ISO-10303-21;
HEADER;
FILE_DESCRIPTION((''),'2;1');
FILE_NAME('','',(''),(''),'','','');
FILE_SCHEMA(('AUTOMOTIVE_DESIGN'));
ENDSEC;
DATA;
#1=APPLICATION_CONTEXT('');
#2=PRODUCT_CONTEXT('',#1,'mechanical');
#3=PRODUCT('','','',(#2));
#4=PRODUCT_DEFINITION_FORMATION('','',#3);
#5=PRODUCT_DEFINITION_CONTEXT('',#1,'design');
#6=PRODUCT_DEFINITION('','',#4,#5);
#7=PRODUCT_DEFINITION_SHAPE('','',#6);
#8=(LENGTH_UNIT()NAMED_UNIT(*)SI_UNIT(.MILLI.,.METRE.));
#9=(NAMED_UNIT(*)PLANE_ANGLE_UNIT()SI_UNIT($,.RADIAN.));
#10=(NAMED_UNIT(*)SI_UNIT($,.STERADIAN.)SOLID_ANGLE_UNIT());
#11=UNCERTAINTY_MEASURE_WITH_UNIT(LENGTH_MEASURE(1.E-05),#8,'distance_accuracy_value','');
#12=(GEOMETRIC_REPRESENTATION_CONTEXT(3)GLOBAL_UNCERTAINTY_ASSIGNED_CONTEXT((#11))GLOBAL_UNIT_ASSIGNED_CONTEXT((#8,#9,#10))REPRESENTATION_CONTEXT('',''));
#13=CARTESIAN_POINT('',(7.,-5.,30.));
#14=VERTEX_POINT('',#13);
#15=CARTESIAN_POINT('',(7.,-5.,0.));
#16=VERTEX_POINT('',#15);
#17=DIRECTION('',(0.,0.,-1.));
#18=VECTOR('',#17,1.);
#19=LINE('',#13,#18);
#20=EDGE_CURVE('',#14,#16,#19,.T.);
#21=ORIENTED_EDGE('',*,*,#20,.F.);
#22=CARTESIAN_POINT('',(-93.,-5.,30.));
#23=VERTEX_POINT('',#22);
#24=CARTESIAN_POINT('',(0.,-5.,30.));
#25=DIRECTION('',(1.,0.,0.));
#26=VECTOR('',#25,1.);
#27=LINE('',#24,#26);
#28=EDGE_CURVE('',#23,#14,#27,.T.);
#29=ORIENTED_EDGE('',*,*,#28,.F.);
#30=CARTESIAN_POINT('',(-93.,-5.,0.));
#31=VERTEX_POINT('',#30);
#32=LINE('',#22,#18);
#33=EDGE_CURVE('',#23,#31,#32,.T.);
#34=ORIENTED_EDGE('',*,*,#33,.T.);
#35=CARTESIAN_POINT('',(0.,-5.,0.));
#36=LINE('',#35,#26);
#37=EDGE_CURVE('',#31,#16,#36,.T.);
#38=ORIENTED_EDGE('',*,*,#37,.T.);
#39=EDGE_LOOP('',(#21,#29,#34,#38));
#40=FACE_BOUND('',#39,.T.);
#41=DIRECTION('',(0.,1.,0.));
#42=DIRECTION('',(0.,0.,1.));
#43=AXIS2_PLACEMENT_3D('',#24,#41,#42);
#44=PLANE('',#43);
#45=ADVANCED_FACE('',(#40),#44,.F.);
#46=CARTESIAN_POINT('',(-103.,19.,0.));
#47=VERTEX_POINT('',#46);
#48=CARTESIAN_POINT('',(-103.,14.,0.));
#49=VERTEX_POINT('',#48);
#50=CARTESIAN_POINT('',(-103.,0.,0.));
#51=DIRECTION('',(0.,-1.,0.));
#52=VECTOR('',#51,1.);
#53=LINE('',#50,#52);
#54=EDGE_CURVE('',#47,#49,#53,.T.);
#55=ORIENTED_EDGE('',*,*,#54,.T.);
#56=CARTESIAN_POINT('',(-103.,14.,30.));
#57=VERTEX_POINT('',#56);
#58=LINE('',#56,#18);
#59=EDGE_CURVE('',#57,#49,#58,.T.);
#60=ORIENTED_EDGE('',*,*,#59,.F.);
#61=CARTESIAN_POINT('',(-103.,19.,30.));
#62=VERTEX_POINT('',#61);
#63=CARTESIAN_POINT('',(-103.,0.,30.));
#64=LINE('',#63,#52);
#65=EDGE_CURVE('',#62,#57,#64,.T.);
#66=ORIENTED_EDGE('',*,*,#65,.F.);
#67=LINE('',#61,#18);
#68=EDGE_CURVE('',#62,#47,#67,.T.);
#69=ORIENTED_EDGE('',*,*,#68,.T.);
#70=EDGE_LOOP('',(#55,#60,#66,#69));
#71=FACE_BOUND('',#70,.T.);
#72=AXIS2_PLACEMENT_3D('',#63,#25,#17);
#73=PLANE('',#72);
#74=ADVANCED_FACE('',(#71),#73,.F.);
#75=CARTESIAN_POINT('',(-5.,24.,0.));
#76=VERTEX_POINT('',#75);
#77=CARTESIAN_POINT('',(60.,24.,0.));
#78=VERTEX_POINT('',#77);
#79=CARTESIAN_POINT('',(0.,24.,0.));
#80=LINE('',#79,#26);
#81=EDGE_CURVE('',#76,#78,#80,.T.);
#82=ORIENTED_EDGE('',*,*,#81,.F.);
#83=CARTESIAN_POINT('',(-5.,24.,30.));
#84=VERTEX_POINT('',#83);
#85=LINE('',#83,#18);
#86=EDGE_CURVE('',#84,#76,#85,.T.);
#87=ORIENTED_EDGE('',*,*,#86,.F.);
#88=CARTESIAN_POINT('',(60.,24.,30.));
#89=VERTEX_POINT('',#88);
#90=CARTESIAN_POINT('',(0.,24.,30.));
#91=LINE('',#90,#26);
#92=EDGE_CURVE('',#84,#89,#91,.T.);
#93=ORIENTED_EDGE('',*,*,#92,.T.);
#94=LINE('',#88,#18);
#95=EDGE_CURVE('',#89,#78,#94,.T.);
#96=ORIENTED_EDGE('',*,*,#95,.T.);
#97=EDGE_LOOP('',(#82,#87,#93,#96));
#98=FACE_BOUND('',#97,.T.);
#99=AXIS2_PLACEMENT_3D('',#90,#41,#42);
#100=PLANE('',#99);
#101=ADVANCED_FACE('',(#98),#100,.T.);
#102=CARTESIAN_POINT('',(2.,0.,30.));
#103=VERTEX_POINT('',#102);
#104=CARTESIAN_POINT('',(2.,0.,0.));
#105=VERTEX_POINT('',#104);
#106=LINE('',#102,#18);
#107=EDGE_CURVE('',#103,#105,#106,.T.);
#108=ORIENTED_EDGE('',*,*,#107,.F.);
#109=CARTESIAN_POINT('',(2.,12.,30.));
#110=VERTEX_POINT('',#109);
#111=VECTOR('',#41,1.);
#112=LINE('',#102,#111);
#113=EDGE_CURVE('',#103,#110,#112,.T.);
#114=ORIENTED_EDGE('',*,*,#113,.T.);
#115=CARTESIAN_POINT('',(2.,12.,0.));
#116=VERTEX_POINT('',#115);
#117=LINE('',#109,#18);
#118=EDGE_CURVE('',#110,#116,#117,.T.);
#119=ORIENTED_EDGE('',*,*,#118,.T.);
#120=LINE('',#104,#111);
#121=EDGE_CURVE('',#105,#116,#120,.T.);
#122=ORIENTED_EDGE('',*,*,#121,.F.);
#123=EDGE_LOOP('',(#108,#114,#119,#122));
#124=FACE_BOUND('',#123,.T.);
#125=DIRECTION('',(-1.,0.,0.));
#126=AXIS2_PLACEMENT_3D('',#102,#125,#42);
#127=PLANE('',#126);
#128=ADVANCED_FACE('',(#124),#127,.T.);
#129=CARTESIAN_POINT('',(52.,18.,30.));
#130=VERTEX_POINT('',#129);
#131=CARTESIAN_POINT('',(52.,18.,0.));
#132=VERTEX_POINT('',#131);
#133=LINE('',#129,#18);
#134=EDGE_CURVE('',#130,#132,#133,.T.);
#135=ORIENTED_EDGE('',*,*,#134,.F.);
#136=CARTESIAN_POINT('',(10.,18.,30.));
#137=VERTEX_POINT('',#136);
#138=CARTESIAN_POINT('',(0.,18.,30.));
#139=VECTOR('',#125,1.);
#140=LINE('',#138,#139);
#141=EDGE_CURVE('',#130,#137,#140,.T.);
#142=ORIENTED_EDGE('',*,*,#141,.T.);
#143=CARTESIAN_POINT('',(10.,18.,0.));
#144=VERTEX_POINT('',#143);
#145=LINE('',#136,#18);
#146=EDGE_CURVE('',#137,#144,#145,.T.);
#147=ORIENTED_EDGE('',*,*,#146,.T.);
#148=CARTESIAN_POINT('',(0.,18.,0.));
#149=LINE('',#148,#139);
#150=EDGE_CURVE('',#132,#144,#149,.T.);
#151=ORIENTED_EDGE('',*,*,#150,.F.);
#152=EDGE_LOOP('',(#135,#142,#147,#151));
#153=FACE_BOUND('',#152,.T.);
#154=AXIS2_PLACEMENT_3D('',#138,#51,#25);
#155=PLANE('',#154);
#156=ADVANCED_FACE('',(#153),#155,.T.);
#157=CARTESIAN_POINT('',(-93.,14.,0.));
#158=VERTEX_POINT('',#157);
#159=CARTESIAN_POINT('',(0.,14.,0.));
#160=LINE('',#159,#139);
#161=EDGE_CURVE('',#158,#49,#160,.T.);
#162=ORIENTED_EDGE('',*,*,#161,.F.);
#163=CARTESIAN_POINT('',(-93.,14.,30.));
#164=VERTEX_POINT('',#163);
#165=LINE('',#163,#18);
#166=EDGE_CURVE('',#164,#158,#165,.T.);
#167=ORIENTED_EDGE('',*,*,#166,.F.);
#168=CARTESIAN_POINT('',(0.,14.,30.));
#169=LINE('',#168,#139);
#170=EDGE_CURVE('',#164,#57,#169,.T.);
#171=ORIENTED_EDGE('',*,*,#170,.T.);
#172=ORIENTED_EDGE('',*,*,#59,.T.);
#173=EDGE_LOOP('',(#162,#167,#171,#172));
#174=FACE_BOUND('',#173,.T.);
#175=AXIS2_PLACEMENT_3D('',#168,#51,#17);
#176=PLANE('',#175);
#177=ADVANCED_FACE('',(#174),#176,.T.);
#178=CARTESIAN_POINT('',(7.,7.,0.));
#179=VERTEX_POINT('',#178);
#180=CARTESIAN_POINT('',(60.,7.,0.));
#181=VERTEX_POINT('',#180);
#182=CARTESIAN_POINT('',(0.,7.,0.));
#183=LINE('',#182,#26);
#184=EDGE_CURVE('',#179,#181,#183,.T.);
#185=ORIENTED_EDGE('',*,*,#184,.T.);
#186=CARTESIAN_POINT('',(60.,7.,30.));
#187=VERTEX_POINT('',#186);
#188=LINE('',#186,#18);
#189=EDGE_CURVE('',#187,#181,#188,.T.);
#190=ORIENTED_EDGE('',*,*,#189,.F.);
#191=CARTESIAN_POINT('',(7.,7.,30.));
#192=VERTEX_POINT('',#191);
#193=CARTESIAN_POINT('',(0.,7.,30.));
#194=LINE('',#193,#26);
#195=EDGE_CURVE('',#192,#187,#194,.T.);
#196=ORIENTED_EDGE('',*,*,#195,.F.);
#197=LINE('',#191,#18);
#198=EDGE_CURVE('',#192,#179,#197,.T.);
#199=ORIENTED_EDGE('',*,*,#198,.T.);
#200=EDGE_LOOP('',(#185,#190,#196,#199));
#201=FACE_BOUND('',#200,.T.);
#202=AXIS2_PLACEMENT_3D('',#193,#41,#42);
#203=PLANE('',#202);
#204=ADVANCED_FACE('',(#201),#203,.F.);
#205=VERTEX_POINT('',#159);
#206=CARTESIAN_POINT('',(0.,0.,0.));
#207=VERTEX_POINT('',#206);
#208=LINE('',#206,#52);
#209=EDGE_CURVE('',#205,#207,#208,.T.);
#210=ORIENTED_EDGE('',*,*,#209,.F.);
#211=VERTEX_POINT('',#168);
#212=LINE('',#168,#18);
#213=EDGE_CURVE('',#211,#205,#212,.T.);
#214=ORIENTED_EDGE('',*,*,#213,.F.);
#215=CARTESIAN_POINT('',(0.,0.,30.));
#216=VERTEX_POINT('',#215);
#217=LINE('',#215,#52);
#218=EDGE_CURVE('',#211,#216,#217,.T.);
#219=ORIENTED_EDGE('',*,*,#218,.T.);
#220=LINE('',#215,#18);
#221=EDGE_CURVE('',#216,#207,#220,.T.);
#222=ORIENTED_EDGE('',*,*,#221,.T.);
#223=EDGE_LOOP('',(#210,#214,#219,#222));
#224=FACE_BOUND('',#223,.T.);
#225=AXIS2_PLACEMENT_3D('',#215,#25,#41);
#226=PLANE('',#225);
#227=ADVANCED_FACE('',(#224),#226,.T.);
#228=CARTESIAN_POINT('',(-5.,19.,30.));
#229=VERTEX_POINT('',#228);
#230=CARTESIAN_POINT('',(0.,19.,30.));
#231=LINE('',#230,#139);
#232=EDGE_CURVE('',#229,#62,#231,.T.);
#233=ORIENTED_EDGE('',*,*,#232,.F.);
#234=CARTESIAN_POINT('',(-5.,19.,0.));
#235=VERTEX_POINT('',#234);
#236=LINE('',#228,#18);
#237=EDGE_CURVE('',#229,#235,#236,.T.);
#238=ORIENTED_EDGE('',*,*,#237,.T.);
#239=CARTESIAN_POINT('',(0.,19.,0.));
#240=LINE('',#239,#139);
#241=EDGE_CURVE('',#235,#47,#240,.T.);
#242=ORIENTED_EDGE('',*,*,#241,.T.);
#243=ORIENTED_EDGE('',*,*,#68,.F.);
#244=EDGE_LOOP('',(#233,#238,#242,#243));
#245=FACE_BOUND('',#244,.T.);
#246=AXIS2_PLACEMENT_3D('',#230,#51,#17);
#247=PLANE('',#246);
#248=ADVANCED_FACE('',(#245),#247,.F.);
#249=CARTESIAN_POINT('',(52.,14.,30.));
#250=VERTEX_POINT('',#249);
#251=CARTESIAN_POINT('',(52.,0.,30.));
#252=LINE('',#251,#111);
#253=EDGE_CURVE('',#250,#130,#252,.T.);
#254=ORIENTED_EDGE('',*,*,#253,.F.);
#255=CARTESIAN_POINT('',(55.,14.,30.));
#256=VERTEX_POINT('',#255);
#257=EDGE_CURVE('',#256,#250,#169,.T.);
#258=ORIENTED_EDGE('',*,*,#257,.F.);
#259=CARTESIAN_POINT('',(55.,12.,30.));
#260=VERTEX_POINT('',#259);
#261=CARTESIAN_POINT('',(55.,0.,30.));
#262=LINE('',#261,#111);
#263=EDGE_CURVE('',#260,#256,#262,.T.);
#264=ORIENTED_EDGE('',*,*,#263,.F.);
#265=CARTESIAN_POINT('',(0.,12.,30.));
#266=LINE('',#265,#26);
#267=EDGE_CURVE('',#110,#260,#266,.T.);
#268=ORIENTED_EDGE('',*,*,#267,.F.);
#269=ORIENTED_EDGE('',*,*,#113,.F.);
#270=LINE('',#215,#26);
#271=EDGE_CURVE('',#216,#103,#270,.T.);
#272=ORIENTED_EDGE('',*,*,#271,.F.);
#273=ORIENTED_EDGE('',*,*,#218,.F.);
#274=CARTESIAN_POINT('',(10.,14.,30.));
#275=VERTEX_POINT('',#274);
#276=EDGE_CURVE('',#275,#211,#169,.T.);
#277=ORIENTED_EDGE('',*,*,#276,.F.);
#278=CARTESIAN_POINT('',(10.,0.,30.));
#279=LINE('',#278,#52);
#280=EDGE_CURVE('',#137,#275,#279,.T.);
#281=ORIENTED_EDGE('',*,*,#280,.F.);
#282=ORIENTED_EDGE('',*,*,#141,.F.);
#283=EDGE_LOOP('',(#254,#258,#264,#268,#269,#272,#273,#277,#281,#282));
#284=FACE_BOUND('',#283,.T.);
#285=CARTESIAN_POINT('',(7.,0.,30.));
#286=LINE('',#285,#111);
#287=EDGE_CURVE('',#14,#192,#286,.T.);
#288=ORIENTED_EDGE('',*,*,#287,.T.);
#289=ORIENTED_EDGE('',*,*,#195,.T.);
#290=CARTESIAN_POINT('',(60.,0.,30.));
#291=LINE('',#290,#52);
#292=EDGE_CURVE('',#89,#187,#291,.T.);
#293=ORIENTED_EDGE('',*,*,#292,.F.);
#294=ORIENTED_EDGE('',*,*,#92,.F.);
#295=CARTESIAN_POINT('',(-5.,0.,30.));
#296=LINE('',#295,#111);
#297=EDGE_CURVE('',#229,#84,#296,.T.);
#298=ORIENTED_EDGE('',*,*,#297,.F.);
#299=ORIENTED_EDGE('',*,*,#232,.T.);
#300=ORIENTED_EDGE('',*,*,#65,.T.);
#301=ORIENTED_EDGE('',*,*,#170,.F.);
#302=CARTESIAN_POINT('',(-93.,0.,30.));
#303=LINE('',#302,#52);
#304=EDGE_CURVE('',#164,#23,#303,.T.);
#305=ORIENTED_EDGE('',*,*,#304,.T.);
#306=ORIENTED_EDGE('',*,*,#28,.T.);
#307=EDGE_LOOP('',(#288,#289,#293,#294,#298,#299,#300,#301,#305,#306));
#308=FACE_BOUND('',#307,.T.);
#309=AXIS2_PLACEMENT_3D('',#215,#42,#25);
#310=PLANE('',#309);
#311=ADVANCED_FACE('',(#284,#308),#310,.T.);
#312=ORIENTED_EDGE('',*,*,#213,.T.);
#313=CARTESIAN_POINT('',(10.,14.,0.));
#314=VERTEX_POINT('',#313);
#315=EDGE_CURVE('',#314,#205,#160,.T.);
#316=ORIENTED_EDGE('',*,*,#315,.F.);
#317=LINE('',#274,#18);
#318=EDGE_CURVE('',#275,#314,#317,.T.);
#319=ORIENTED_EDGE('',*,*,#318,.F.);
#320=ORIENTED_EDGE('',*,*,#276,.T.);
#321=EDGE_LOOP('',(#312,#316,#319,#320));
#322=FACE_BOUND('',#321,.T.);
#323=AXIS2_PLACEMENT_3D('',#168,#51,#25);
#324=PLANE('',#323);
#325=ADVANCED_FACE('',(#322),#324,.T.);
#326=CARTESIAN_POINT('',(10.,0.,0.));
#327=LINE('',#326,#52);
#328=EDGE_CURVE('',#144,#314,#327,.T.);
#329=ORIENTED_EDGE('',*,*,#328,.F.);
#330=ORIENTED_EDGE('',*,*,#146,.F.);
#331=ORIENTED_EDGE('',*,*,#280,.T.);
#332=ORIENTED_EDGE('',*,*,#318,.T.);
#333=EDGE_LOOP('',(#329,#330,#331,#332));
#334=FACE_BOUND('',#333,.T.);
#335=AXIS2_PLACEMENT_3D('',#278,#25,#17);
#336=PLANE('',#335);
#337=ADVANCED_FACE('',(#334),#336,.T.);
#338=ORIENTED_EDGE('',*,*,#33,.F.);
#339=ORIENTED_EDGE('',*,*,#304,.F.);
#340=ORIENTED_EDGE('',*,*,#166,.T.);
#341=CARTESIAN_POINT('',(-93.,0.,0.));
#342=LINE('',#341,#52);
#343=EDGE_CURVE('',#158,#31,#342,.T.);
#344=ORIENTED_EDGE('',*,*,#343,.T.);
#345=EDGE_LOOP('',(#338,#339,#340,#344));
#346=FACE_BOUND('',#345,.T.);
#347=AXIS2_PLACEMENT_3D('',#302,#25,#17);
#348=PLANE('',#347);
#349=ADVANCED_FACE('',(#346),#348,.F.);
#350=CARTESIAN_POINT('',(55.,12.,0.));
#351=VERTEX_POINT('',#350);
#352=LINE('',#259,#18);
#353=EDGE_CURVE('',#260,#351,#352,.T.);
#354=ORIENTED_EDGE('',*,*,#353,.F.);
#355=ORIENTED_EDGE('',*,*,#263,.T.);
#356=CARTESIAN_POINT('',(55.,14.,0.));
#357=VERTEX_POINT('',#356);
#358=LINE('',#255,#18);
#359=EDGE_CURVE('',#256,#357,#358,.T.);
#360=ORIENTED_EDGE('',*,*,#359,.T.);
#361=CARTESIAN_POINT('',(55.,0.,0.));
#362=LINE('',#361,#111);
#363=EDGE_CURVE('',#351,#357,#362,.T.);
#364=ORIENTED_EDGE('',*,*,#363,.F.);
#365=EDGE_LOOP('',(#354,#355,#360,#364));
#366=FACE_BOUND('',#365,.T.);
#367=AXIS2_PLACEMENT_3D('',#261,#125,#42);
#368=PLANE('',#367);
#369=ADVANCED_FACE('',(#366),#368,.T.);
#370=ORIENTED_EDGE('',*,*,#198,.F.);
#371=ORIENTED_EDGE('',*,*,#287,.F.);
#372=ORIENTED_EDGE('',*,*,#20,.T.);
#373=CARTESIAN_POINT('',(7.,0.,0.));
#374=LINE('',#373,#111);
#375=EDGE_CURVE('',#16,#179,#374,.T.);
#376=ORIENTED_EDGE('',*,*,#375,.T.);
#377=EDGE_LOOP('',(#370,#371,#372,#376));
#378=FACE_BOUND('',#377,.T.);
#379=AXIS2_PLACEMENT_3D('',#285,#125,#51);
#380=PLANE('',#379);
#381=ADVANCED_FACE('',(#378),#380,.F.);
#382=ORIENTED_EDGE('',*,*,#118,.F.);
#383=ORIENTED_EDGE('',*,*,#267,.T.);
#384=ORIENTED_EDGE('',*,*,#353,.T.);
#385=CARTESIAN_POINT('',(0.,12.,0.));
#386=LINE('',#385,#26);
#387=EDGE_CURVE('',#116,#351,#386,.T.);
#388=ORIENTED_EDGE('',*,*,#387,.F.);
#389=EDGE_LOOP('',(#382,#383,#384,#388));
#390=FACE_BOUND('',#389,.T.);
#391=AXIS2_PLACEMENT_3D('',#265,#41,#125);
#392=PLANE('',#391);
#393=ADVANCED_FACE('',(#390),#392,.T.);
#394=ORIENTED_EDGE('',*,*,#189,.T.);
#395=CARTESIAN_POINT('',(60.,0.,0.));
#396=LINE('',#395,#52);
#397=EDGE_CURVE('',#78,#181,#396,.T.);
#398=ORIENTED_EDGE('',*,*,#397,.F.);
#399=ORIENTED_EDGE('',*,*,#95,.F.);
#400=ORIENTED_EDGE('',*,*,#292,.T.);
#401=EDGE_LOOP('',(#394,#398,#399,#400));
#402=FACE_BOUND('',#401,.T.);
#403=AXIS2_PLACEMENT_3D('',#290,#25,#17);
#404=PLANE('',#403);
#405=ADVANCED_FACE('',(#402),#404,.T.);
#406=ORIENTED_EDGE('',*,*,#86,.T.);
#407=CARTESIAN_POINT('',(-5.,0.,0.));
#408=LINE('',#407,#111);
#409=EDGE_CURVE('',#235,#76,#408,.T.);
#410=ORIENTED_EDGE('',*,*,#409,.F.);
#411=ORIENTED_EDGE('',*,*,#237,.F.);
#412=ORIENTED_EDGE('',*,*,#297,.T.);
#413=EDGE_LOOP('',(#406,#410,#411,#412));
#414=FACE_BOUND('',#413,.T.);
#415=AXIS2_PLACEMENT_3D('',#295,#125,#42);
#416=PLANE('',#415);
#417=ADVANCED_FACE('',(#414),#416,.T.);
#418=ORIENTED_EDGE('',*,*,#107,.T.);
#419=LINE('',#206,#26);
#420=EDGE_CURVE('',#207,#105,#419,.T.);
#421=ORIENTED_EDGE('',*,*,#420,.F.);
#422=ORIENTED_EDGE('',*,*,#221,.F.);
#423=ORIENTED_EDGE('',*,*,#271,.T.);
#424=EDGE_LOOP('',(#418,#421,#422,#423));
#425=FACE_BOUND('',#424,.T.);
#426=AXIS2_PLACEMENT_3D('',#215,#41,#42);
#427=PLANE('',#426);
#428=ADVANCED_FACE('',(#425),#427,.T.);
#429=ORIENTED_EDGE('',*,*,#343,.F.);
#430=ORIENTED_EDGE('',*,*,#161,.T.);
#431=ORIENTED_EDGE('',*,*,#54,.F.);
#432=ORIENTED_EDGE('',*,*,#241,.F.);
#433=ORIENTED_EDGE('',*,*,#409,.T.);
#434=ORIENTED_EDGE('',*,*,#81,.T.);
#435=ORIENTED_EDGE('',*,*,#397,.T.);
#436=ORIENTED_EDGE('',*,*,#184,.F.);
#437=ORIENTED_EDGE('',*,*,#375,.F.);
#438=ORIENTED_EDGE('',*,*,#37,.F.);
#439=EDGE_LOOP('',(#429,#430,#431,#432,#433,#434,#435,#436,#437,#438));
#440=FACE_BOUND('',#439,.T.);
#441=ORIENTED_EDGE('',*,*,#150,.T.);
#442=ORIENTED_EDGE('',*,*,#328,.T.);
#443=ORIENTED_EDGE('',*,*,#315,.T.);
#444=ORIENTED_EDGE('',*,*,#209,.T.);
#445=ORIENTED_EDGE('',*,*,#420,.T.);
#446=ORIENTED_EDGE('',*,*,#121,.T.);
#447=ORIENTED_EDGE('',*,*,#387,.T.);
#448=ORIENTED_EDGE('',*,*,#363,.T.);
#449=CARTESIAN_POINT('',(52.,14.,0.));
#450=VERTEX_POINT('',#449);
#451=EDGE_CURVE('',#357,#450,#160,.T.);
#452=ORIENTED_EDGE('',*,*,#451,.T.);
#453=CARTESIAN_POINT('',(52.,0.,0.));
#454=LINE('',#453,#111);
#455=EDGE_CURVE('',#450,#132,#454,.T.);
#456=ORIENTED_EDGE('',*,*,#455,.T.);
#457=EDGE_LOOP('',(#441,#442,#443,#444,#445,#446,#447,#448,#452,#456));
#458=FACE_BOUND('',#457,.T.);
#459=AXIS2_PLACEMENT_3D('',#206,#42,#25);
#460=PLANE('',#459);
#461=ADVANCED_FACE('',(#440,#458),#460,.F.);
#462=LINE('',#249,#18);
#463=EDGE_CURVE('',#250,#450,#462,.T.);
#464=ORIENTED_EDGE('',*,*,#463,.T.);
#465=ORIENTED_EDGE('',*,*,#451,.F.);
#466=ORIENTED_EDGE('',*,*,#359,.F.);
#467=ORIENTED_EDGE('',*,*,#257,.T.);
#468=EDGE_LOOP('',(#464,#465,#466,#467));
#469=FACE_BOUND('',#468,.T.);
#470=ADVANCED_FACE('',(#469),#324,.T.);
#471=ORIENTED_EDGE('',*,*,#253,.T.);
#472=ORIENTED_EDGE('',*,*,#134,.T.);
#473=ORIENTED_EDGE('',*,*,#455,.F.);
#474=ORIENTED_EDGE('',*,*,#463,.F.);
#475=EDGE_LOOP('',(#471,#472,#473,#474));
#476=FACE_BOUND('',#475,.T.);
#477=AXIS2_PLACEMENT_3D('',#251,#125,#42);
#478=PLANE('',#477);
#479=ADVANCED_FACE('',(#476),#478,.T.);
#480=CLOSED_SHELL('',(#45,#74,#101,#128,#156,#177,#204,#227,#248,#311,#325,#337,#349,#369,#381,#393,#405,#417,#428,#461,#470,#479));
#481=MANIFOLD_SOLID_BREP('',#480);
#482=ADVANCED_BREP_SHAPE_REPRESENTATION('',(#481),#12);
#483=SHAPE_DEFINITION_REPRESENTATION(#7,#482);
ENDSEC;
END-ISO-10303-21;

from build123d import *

# Parameters (mm, degrees)
SKETCH_1_W      = 65
SKETCH_1_H      = 5
EXTRUDE_2_DEPTH = 30
SKETCH_4_W      = 10
SKETCH_4_H      = 5
EXTRUDE_4_DEPTH = 30


with BuildPart() as part:
    # 스케치1 → 보스-돌출2 (new body)
    # profile 1 of 2: a face of its own
    with BuildSketch(Plane.XY):
        with Locations((27.5, 21.5)):
            Rectangle(SKETCH_1_W, SKETCH_1_H)
    # profile 2 of 2: a face of its own
    with BuildSketch(Plane.XY):
        Polygon((-5, 19), (-5, -5), (7, -5), (7, 7), (60, 7), (60, 19), align=None)
        Polygon((2, 0), (0, 0), (0, 14), (10, 14), (10, 18), (52, 18), (52, 14), (55, 14), (55, 12), (2, 12), align=None, mode=Mode.SUBTRACT)
    extrude(amount=EXTRUDE_2_DEPTH)

    # 스케치4 → 보스-돌출4 (add)
    with BuildSketch(Plane(origin=(0, 0, 0), x_dir=(-1, 0, 0), z_dir=(0, 0, -1))):
        Polygon((93, 19), (5, 19), (5, -5), (93, -5), (93, 14), align=None)
        with Locations((98, 16.5)):
            Rectangle(SKETCH_4_W, SKETCH_4_H)
    extrude(amount=-EXTRUDE_4_DEPTH)


solid = part.part
